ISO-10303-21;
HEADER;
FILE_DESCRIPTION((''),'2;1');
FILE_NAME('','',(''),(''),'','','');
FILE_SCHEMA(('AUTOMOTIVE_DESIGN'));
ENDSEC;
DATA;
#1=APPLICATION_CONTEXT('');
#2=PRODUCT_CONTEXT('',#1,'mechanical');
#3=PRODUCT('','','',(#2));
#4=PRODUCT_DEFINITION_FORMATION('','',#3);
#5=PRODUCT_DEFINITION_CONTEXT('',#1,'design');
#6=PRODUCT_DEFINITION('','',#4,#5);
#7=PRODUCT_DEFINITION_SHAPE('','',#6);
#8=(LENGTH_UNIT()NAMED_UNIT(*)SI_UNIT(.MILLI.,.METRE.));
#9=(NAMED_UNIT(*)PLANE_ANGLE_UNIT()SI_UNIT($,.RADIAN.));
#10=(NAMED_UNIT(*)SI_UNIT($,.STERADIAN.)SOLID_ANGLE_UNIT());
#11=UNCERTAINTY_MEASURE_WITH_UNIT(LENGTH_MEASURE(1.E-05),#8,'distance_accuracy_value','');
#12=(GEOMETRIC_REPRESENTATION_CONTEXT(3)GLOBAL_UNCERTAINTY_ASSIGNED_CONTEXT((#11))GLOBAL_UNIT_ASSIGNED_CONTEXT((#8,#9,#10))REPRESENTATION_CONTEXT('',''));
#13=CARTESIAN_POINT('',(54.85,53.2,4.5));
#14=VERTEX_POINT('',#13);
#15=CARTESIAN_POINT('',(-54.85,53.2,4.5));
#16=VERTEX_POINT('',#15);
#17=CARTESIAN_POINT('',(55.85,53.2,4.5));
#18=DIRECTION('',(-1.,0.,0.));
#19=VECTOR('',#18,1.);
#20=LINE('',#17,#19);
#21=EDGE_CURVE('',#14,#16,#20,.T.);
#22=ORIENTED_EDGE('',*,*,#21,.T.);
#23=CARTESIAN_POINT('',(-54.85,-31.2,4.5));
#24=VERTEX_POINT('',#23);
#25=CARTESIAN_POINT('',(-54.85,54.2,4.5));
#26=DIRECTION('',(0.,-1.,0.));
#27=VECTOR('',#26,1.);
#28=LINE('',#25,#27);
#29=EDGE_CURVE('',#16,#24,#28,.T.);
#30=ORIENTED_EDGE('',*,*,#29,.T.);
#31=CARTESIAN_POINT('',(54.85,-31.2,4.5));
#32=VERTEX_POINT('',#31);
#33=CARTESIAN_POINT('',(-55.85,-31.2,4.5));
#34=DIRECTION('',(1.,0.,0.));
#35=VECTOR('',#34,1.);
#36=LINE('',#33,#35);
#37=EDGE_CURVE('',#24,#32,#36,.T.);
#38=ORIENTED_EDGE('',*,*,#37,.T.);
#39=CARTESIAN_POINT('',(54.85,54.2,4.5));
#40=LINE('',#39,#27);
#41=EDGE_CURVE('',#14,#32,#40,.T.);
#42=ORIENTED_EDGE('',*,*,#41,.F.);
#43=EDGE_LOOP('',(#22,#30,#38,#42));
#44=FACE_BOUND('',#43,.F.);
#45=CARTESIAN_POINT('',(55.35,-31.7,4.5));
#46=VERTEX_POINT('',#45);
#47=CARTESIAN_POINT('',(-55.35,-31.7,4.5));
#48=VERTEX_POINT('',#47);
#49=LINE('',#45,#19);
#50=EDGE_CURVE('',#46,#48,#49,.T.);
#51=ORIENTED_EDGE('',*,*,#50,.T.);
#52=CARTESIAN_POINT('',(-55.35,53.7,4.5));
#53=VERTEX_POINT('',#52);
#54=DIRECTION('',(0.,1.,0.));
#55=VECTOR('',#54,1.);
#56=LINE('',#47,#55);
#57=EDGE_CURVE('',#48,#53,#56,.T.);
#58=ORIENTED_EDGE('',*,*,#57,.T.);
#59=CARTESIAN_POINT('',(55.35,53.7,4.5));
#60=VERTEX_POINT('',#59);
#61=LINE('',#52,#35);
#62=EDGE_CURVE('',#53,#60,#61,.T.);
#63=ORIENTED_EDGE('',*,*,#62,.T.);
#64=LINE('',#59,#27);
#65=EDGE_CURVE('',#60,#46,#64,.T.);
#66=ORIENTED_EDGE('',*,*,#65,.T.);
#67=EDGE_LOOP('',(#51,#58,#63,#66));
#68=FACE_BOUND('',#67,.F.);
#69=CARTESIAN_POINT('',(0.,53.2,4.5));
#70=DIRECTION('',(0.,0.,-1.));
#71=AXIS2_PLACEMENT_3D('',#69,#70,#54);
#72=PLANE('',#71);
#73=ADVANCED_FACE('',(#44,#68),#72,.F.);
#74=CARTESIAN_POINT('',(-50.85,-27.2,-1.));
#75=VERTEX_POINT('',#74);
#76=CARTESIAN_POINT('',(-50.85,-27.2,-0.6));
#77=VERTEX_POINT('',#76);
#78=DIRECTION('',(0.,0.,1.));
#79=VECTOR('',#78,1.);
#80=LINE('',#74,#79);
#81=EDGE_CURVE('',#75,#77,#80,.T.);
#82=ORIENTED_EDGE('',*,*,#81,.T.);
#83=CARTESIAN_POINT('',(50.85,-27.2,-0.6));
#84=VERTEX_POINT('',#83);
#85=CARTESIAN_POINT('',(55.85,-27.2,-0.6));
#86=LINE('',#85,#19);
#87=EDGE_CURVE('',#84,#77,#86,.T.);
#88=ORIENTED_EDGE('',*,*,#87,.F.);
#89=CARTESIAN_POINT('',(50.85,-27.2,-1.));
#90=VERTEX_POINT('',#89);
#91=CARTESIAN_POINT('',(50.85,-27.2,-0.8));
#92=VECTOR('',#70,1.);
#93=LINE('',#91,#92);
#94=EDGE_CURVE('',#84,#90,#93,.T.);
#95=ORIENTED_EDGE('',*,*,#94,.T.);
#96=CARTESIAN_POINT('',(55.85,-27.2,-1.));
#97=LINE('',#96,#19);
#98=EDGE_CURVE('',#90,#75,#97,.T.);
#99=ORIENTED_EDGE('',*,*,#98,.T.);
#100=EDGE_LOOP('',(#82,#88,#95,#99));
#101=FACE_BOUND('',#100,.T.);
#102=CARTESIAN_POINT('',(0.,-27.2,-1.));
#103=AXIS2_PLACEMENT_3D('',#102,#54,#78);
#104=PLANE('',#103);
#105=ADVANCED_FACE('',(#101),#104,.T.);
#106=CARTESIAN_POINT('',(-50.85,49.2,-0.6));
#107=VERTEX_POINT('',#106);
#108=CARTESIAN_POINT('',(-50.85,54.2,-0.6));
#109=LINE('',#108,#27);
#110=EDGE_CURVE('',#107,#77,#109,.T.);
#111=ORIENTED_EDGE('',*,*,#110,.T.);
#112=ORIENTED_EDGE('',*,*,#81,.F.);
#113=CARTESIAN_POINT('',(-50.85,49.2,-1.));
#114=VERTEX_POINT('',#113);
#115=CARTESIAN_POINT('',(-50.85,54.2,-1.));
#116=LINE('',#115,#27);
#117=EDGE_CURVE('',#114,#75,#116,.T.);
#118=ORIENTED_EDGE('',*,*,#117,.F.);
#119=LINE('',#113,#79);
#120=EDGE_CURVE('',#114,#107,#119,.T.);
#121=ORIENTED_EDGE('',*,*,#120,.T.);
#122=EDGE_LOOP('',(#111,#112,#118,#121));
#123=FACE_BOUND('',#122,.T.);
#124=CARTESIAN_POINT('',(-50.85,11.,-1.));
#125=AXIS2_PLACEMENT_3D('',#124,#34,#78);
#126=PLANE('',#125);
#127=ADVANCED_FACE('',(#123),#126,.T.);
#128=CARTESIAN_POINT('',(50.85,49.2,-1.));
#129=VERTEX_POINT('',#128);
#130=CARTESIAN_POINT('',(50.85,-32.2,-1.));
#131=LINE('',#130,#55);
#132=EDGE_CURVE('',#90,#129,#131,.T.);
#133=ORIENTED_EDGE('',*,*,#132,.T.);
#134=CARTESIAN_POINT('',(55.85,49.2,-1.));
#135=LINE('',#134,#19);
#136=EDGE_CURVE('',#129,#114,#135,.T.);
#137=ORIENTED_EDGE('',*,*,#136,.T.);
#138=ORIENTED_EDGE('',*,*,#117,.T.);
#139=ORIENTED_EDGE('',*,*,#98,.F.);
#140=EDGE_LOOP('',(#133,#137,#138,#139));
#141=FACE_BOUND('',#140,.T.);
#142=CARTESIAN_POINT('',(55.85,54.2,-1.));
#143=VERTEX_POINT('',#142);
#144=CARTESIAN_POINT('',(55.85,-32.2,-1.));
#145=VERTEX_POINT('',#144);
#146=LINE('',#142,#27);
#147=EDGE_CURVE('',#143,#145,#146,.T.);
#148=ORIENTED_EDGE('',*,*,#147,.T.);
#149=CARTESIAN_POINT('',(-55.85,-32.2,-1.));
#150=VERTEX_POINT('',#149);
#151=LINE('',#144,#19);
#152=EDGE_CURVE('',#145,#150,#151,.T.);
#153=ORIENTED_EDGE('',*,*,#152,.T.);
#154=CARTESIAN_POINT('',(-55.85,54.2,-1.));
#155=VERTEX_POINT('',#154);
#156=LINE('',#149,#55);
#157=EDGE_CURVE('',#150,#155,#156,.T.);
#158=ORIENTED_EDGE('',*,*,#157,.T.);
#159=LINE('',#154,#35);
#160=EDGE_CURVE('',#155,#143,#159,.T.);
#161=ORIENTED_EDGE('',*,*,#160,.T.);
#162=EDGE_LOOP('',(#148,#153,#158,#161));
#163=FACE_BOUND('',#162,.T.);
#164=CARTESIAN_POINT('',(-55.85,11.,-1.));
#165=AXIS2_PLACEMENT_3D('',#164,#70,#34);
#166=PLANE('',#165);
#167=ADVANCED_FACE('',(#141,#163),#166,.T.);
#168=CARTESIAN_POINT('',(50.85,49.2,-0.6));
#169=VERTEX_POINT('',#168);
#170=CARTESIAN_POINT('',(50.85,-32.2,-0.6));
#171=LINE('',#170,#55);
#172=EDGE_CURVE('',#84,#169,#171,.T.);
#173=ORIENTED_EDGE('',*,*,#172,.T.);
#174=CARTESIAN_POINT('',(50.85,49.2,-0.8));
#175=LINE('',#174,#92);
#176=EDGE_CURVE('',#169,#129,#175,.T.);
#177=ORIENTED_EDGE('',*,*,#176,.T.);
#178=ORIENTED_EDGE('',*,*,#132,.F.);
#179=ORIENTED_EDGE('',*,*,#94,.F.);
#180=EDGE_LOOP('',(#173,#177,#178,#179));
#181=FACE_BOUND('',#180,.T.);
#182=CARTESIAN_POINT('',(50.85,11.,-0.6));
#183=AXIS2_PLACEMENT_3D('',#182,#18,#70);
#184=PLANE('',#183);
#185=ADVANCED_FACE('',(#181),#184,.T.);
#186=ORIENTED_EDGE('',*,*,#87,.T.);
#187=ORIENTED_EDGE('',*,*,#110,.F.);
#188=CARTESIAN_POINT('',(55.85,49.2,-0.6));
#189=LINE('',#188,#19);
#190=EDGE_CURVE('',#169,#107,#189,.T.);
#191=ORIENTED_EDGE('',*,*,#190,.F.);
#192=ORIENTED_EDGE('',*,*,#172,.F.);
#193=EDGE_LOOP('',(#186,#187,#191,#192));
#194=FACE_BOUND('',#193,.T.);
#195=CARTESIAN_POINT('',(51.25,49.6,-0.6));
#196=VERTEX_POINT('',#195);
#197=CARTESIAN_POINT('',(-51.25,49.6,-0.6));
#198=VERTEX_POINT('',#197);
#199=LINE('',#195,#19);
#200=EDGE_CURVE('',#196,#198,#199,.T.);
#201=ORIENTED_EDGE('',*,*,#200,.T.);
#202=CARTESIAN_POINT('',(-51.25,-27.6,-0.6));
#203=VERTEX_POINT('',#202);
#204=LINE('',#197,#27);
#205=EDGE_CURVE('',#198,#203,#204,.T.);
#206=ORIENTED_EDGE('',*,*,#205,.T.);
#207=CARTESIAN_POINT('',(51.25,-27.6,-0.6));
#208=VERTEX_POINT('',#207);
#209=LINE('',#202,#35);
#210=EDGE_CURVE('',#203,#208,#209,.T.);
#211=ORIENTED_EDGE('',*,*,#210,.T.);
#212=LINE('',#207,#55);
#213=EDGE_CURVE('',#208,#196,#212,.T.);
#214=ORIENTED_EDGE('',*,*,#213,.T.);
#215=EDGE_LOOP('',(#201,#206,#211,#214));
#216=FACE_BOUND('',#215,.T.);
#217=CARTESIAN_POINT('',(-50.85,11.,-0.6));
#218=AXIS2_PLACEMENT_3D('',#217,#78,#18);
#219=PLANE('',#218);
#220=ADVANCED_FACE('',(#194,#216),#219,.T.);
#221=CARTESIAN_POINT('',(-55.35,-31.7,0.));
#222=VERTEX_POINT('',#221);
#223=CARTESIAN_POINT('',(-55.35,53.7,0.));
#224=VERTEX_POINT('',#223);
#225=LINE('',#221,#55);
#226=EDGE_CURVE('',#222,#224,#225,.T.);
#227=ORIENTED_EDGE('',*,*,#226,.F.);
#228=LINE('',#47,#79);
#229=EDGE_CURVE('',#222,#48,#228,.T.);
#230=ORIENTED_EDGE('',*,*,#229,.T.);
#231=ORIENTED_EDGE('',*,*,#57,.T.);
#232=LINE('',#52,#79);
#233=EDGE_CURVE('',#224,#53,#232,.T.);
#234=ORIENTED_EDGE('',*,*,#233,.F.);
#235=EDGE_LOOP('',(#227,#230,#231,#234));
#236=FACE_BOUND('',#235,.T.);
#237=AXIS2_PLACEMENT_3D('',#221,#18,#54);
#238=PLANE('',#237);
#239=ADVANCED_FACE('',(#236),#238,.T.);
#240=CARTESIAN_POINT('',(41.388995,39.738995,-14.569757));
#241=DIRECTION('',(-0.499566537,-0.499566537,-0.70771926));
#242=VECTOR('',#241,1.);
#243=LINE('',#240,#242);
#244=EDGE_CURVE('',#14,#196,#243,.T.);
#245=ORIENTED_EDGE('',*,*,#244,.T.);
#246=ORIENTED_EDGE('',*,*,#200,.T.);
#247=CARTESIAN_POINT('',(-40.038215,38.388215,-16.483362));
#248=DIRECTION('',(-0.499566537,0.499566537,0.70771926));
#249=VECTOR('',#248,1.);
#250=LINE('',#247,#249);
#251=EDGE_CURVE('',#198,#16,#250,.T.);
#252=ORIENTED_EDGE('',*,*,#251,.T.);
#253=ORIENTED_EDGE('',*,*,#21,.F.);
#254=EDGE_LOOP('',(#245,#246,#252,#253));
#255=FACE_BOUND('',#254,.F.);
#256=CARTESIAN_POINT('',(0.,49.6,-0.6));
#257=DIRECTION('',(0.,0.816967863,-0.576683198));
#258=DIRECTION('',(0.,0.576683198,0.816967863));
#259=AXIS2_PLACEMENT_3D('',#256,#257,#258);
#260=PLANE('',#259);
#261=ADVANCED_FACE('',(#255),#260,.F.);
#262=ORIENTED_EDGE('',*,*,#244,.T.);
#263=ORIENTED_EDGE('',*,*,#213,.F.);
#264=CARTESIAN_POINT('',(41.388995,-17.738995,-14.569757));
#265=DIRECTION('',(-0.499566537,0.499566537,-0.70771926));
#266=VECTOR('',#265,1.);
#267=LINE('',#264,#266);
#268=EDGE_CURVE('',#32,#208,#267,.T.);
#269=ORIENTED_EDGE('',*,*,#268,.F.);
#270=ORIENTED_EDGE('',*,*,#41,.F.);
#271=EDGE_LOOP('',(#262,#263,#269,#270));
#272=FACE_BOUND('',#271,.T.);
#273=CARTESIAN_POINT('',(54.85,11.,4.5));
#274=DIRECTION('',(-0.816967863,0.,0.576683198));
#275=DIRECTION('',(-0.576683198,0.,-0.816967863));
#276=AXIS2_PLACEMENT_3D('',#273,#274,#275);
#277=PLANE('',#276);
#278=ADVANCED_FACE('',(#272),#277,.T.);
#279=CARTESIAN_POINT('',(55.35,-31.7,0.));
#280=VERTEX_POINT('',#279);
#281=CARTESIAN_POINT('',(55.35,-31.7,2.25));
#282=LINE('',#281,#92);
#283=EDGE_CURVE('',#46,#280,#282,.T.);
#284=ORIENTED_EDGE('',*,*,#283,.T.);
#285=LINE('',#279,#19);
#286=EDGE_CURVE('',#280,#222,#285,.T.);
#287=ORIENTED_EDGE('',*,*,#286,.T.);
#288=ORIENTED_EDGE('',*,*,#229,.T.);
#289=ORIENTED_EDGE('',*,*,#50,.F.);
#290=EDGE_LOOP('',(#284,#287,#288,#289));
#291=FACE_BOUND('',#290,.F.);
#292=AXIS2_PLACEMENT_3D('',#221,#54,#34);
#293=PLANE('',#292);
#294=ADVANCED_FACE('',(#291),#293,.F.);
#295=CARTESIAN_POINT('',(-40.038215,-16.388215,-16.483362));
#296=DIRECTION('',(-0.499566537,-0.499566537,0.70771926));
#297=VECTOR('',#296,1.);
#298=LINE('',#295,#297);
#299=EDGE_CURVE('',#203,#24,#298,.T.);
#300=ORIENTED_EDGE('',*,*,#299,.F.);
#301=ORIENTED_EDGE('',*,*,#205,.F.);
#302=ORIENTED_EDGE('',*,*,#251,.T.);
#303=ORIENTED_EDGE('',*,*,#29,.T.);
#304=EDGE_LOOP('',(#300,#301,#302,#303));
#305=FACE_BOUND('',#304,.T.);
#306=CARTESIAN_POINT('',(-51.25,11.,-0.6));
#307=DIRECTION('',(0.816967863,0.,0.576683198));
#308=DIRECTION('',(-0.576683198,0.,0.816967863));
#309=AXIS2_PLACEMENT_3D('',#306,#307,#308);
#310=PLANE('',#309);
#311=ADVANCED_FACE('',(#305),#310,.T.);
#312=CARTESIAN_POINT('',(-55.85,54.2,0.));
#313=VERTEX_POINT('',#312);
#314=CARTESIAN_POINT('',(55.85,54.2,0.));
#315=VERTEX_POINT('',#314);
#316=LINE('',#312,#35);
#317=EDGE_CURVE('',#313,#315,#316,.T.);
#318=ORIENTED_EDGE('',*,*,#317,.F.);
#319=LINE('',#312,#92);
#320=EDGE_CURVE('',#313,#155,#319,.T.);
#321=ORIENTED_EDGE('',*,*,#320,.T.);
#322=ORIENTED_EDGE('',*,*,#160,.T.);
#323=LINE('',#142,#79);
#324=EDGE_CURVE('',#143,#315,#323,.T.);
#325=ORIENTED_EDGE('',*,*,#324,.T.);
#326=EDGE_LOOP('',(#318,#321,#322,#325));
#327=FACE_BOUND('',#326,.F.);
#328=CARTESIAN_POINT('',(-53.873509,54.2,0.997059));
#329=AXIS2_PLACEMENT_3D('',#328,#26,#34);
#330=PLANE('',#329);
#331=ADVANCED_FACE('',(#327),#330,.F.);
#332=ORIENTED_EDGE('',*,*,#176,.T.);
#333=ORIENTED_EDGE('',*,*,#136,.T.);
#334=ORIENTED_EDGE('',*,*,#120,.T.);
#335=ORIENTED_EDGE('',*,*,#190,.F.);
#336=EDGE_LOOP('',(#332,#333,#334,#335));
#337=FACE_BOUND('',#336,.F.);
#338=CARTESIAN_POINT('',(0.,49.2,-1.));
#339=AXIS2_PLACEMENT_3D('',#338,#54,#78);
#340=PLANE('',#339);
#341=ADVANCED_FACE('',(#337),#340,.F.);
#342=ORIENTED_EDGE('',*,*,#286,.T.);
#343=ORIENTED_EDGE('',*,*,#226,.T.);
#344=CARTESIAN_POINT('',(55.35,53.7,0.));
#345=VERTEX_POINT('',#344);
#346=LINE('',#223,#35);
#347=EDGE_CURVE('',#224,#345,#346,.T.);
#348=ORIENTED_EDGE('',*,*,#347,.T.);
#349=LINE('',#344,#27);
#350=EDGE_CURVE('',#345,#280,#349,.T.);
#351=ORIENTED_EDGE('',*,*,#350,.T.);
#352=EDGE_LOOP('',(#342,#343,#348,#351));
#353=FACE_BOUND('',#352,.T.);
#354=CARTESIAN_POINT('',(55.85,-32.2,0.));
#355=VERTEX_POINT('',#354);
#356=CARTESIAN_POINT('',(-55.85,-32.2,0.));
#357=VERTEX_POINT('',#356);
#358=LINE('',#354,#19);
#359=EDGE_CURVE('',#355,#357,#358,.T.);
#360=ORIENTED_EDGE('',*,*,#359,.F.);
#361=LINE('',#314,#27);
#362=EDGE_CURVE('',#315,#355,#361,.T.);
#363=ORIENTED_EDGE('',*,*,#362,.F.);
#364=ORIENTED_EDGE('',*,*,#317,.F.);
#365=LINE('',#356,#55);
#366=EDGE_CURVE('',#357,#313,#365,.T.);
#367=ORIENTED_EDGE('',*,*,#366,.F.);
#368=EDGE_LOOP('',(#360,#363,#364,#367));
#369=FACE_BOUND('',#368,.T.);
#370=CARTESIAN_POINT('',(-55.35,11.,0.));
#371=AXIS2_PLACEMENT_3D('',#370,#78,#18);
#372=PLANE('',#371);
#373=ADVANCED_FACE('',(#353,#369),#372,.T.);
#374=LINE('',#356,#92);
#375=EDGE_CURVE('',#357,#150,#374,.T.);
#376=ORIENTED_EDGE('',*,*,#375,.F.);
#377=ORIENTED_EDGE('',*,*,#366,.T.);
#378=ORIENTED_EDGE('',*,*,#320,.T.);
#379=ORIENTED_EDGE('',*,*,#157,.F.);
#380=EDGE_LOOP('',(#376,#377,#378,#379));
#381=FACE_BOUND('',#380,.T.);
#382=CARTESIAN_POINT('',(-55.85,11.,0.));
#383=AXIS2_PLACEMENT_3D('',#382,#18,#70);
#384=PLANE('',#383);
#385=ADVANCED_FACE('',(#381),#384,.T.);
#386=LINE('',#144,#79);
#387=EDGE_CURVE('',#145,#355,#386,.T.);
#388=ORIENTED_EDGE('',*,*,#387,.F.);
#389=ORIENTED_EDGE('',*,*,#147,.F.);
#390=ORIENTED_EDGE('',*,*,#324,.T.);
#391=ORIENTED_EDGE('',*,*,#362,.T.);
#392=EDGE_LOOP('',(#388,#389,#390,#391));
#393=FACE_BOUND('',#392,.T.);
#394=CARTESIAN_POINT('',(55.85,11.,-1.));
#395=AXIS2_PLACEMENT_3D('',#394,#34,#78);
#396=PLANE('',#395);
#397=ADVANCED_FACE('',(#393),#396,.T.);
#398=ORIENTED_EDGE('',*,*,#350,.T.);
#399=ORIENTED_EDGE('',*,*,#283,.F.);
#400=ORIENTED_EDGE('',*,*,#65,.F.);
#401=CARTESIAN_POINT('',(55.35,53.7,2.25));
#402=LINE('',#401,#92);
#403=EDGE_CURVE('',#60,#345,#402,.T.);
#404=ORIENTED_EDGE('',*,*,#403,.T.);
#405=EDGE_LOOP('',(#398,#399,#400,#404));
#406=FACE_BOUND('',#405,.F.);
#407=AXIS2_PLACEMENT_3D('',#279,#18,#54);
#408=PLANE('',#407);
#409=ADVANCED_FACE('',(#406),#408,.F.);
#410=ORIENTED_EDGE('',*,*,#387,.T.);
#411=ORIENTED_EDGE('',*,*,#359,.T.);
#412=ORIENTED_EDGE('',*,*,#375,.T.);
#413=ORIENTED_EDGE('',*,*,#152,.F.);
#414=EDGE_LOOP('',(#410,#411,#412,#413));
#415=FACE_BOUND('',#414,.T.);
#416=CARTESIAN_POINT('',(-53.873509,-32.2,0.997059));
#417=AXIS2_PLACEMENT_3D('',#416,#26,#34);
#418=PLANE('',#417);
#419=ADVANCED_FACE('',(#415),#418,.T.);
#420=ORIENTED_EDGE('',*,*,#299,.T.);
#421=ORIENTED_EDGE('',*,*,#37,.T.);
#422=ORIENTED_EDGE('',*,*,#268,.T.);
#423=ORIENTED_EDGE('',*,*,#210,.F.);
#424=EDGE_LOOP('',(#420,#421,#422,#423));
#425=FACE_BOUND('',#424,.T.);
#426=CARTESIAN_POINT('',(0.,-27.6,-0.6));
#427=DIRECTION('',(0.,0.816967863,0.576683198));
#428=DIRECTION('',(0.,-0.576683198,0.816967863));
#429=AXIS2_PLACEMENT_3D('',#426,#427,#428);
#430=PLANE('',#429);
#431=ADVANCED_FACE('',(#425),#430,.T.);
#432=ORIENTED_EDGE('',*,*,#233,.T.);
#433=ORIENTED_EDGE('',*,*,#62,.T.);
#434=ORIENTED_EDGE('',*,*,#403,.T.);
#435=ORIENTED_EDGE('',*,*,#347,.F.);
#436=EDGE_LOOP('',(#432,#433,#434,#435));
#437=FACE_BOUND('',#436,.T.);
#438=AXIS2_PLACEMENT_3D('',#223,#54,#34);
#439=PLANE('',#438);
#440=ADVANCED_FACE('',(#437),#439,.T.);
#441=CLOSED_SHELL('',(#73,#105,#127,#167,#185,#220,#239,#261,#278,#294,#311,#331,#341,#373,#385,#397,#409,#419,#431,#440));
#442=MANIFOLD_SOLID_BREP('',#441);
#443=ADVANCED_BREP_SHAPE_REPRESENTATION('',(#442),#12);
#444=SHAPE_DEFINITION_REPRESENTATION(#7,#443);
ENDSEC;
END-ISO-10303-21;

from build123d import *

# Parameters (mm, degrees)
SKETCH015_W       = 111.7
SKETCH015_H       = 86.4
PAD007_DEPTH      = 1
SKETCH016_W       = 110.7
SKETCH016_H       = 85.4
PAD008_DEPTH      = 5.5
PAD005_DEPTH      = 55.85
PAD005_DEPTH_BACK = 55.85
PAD004_DEPTH      = 43.2
PAD004_DEPTH_BACK = 43.2


with BuildPart() as pad_bezel_lip:
    # Sketch015 → Pad007 (new body)
    with BuildSketch(Plane.XY):
        Rectangle(SKETCH015_W, SKETCH015_H)
    extrude(amount=-PAD007_DEPTH)


with BuildPart() as fusion_bezel_overlap:
    # Sketch016 → Pad008 (new body)
    with BuildSketch(Plane.XY):
        Rectangle(SKETCH016_W, SKETCH016_H)
    extrude(amount=PAD008_DEPTH)

    # Fusion002: union Pad (bezel lip)
    add(pad_bezel_lip.part)


with BuildPart() as pad_bezel_top_bottom:
    # Sketch006 → Pad005 (new body, two sides)
    with BuildSketch(Plane.YZ) as pad005_sk:
        Polygon((43.2, -1), (38.2, -1), (38.2, -0.6), (38.6, -0.6), (42.2, 4.5), (42.7, 4.5), (42.7, 0), (43.2, 0), align=None)
        Polygon((-38.6, -0.6), (-42.2, 4.5), (-42.7, 4.5), (-42.7, 0), (-43.2, 0), (-43.2, -1), (-38.2, -1), (-38.2, -0.6), align=None)
    extrude(amount=PAD005_DEPTH)
    extrude(pad005_sk.sketch, amount=-PAD005_DEPTH_BACK)


with BuildPart() as common:
    # Sketch005 → Pad004 (new body, two sides)
    with BuildSketch(Plane.XZ) as pad004_sk:
        Polygon((-55.85, -1), (-50.85, -1), (-50.85, -0.6), (-51.25, -0.6), (-54.85, 4.5), (-55.35, 4.5), (-55.35, 0), (-55.85, 0), align=None)
        Polygon((50.85, -1), (55.85, -1), (55.85, 0), (55.35, 0), (55.35, 4.5), (54.85, 4.5), (51.25, -0.6), (50.85, -0.6), align=None)
    extrude(amount=PAD004_DEPTH)
    extrude(pad004_sk.sketch, amount=-PAD004_DEPTH_BACK)

    # Fusion: union Pad (bezel top/bottom)
    add(pad_bezel_top_bottom.part)

    # Common: intersect Fusion (bezel overlap)
    add(fusion_bezel_overlap.part, mode=Mode.INTERSECT)


with BuildPart() as common_1:
    # Common placement: moved
    add(common.part.moved(Location((0, 11, 0))))


solid = common_1.part
